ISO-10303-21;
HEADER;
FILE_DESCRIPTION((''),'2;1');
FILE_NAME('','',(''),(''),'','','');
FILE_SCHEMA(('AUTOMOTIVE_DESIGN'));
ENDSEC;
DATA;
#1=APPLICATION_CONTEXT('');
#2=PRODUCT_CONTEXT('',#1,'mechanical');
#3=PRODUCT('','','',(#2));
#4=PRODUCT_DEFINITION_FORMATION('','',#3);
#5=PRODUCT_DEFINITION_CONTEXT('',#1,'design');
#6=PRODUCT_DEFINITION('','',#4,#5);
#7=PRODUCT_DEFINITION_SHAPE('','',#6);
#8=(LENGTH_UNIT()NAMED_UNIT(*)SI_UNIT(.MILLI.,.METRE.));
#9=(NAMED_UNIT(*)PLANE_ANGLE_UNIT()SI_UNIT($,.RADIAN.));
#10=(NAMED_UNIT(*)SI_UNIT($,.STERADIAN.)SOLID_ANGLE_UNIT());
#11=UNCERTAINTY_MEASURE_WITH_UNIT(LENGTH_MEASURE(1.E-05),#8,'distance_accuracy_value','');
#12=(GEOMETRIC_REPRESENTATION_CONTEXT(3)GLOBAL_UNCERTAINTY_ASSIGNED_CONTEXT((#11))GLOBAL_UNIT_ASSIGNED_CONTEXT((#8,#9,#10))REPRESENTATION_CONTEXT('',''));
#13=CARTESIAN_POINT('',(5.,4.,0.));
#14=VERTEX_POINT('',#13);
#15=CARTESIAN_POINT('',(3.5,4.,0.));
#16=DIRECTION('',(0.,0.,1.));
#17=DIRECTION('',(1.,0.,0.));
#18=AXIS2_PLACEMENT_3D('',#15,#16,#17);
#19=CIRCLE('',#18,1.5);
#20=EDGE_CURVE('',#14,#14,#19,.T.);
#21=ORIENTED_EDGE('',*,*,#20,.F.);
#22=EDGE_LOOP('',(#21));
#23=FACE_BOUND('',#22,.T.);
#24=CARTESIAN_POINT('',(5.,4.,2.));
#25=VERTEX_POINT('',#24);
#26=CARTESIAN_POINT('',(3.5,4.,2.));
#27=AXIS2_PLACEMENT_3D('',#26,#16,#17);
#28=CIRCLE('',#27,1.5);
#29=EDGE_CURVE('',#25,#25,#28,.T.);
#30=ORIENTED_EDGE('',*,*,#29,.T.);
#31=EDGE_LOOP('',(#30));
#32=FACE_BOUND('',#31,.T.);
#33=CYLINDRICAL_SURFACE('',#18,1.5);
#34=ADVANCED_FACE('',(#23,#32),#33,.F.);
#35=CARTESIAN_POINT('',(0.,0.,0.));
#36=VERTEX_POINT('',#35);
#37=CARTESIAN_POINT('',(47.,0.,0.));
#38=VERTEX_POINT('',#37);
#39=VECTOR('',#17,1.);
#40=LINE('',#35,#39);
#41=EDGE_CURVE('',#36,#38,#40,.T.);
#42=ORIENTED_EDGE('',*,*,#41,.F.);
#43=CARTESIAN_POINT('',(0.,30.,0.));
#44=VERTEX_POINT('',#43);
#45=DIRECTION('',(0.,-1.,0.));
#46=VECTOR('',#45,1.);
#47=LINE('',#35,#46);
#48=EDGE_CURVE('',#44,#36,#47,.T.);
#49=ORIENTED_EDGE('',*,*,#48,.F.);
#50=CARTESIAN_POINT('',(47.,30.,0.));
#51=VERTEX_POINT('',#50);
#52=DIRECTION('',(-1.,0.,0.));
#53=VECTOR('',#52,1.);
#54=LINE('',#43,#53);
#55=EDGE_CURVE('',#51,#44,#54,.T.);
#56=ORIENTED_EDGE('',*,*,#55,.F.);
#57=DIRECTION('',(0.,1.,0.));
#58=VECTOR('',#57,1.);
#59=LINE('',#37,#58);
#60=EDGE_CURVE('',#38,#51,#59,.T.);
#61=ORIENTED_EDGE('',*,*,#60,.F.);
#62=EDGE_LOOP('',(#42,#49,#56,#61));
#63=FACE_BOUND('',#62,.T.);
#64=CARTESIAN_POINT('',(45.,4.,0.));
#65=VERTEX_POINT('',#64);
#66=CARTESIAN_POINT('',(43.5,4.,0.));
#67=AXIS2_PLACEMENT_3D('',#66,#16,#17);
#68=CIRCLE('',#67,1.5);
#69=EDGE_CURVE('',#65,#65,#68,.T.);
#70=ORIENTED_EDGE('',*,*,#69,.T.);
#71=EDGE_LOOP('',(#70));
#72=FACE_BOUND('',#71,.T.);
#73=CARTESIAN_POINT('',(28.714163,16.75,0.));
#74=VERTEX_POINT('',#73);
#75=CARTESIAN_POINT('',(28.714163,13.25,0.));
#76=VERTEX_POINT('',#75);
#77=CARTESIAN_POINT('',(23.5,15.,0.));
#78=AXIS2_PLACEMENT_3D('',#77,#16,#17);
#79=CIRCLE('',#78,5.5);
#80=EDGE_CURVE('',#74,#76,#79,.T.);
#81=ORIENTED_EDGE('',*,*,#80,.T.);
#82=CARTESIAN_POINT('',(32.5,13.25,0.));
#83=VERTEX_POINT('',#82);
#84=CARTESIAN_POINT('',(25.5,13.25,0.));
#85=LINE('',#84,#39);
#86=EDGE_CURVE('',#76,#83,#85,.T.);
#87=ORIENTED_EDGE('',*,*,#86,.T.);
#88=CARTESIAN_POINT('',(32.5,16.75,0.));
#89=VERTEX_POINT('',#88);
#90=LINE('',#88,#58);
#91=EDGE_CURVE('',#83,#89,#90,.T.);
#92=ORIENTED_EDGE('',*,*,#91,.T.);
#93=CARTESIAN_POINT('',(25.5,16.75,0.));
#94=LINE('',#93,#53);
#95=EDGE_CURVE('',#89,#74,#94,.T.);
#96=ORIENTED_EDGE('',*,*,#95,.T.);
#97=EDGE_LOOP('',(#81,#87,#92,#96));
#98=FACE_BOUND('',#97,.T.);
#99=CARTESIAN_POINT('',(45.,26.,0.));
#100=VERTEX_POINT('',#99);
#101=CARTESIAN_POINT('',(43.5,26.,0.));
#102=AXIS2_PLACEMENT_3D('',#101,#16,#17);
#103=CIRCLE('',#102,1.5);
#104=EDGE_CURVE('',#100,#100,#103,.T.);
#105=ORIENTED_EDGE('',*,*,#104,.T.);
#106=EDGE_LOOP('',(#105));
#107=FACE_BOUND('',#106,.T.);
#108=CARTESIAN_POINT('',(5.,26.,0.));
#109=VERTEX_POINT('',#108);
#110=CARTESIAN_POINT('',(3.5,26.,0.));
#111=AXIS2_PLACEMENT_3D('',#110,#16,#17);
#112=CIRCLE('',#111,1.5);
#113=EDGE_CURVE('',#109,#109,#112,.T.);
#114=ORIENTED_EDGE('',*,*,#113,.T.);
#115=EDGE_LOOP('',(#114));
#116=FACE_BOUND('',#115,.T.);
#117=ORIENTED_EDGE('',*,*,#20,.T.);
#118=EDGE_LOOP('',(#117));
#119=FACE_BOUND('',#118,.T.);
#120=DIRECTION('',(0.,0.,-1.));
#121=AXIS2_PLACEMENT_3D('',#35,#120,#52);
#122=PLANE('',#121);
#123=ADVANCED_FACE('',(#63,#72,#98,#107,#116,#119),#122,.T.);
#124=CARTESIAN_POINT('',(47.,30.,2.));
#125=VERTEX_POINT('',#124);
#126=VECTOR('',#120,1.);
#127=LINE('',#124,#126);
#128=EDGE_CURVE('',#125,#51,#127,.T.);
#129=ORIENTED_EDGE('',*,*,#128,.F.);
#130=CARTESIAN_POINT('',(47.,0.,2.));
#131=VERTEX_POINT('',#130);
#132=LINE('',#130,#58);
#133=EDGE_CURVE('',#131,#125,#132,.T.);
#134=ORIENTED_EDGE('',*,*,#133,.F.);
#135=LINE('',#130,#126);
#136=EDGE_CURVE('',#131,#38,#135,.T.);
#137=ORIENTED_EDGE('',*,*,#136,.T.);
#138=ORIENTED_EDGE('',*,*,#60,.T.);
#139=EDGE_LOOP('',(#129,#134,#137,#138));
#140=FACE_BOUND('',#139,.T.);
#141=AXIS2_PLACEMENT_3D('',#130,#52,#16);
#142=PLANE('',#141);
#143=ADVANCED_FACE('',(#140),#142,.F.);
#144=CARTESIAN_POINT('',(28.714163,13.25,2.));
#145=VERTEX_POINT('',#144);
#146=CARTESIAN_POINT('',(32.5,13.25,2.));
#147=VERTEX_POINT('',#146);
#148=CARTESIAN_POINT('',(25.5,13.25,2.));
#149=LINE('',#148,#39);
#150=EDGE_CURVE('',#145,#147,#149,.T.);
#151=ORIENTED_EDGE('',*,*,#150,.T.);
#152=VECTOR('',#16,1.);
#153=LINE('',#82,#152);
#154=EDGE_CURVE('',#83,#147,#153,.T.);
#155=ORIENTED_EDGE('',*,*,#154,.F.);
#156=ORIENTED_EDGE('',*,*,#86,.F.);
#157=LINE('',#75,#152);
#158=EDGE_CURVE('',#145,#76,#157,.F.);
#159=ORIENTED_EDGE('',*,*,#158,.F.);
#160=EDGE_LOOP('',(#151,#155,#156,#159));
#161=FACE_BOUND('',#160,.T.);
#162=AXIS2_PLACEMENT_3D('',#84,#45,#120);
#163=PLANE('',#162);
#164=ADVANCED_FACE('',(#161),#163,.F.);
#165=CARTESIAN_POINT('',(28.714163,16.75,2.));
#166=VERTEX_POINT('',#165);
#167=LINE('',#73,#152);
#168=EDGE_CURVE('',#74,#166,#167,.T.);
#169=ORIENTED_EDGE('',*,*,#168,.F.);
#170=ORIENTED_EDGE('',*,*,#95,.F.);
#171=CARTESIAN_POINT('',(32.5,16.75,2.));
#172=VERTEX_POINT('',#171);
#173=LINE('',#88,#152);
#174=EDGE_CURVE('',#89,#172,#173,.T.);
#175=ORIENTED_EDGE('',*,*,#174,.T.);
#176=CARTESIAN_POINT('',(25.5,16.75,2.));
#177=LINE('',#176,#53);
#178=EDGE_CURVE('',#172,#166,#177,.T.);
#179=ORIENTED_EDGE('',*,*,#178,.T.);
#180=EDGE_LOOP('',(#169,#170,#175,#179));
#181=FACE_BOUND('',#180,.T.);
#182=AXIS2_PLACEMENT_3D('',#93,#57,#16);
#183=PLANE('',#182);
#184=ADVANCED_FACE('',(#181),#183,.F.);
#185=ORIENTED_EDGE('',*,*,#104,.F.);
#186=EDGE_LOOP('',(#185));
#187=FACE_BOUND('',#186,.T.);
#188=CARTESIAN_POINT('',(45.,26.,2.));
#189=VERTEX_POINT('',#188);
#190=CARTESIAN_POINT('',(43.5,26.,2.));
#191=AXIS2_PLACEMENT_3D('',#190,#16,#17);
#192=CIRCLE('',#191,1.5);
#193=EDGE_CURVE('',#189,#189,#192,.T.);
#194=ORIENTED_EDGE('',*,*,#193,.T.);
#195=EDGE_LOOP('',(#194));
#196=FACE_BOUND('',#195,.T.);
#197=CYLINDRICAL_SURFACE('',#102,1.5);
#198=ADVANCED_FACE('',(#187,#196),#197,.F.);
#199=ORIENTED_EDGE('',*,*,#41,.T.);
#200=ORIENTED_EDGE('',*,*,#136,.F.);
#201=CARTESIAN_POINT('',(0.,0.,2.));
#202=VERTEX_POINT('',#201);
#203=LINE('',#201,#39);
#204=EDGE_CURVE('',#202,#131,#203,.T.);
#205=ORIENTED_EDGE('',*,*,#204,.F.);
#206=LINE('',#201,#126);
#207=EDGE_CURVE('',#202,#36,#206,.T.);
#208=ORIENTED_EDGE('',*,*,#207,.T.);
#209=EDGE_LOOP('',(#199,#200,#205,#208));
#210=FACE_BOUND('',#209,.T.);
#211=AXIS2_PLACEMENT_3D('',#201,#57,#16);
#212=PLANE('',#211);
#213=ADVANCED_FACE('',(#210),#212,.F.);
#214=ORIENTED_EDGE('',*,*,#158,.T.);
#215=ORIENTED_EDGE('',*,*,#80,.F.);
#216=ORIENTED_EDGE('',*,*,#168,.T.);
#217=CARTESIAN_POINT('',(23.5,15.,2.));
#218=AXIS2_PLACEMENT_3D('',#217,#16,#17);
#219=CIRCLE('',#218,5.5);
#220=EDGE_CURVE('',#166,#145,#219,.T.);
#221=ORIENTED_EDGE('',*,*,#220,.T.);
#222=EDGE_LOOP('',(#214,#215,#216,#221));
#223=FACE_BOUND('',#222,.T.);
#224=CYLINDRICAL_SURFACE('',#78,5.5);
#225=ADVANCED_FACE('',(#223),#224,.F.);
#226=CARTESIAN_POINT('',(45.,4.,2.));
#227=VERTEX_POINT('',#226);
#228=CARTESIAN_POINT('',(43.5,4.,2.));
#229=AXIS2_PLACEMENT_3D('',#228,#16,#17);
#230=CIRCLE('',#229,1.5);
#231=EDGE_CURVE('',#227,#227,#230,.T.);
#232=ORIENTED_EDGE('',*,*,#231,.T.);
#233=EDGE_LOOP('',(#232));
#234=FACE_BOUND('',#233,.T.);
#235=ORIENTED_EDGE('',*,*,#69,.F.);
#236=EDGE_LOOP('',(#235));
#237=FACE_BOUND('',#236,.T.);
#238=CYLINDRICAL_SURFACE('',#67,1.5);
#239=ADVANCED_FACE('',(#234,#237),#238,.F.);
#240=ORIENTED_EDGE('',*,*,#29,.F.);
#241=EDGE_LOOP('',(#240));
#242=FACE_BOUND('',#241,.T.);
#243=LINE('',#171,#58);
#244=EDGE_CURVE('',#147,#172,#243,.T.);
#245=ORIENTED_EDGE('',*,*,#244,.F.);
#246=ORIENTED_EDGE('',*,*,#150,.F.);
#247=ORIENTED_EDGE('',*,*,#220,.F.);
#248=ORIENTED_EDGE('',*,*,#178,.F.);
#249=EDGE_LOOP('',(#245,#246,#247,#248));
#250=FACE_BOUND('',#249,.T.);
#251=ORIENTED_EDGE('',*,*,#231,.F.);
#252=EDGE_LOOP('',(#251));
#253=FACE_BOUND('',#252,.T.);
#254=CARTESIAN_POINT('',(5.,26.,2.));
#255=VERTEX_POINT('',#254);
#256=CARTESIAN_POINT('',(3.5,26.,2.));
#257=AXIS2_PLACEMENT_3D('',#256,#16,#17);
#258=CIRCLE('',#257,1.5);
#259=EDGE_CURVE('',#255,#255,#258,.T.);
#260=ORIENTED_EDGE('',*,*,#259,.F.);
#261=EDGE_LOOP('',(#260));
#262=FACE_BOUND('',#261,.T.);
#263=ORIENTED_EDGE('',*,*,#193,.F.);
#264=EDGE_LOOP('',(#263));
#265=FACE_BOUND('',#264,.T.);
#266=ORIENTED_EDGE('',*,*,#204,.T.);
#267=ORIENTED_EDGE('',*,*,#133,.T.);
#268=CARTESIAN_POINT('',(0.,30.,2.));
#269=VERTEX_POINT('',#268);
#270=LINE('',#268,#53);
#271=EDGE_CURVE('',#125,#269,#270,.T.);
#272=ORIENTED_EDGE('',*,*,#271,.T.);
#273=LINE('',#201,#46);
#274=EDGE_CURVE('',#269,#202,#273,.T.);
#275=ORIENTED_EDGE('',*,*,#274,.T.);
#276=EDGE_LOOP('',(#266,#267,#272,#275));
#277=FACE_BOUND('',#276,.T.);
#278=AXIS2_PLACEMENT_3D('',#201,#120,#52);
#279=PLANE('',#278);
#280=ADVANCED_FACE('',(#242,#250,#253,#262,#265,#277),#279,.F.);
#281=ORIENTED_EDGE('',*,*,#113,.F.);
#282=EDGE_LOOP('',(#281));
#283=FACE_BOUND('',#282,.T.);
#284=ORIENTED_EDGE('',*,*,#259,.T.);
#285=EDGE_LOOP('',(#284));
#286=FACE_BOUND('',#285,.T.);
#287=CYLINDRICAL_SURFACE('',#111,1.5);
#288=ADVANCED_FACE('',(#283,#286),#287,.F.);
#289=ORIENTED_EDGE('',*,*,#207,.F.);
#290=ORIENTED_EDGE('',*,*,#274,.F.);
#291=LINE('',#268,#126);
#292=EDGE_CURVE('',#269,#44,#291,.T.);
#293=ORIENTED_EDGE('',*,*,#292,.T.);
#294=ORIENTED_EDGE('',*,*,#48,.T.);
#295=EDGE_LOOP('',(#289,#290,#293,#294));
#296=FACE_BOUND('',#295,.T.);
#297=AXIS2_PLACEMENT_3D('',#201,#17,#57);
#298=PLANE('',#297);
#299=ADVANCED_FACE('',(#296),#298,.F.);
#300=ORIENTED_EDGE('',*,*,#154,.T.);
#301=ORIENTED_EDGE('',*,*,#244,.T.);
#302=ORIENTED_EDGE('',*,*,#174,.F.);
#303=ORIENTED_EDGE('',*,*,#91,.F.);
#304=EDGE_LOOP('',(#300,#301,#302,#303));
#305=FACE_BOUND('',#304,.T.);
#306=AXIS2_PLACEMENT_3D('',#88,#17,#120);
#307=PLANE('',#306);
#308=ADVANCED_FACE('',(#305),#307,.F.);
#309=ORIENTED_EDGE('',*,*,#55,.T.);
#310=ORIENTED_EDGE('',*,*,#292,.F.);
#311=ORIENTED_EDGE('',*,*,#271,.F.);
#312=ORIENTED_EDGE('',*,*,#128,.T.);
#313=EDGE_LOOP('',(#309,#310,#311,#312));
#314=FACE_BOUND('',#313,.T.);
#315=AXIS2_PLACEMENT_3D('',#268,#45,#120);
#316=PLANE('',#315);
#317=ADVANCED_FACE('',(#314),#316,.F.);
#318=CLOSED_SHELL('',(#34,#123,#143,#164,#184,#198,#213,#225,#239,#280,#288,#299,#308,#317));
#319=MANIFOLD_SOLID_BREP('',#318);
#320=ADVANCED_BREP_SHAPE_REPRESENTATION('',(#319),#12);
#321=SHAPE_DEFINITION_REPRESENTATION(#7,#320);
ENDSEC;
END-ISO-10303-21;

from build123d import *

# Parameters (mm, degrees)
SKETCH_1_W          = 47
SKETCH_1_H          = 30
EXTRUDE_1_DEPTH     = 2
SKETCH_2_R          = 5.5
CUT_EXTRUDE_1_DEPTH = 56.794264938
SKETCH_3_W          = 7
SKETCH_3_H          = 3.5
CUT_EXTRUDE_2_DEPTH = 56.794264938
SKETCH_4_R          = 1.5
CUT_EXTRUDE_3_DEPTH = 56.794264938


with BuildPart() as part:
    # Эскиз1 → Бобышка-Вытянуть1 (new body)
    with BuildSketch(Plane.XY):
        with Locations((23.5, 15)):
            Rectangle(SKETCH_1_W, SKETCH_1_H)
    extrude(amount=EXTRUDE_1_DEPTH)

    # Эскиз2 → Вырез-Вытянуть1 (cut, through all)
    with BuildSketch(Plane.XY.offset(2)):
        with Locations((23.5, 15)):
            Circle(SKETCH_2_R)
    extrude(amount=-CUT_EXTRUDE_1_DEPTH, mode=Mode.SUBTRACT)

    # Эскиз3 → Вырез-Вытянуть2 (cut, through all)
    with BuildSketch(Plane.XY.offset(2)):
        with Locations((29, 15)):
            Rectangle(SKETCH_3_W, SKETCH_3_H)
    extrude(amount=-CUT_EXTRUDE_2_DEPTH, mode=Mode.SUBTRACT)

    # Эскиз4 → Вырез-Вытянуть3 (cut, through all)
    with BuildSketch(Plane.XY.offset(2)):
        with Locations((3.5, 4)):
            Circle(SKETCH_4_R)
        with Locations((43.5, 4)):
            Circle(SKETCH_4_R)
        with Locations((43.5, 26)):
            Circle(SKETCH_4_R)
        with Locations((3.5, 26)):
            Circle(SKETCH_4_R)
    extrude(amount=-CUT_EXTRUDE_3_DEPTH, mode=Mode.SUBTRACT)


solid = part.part
